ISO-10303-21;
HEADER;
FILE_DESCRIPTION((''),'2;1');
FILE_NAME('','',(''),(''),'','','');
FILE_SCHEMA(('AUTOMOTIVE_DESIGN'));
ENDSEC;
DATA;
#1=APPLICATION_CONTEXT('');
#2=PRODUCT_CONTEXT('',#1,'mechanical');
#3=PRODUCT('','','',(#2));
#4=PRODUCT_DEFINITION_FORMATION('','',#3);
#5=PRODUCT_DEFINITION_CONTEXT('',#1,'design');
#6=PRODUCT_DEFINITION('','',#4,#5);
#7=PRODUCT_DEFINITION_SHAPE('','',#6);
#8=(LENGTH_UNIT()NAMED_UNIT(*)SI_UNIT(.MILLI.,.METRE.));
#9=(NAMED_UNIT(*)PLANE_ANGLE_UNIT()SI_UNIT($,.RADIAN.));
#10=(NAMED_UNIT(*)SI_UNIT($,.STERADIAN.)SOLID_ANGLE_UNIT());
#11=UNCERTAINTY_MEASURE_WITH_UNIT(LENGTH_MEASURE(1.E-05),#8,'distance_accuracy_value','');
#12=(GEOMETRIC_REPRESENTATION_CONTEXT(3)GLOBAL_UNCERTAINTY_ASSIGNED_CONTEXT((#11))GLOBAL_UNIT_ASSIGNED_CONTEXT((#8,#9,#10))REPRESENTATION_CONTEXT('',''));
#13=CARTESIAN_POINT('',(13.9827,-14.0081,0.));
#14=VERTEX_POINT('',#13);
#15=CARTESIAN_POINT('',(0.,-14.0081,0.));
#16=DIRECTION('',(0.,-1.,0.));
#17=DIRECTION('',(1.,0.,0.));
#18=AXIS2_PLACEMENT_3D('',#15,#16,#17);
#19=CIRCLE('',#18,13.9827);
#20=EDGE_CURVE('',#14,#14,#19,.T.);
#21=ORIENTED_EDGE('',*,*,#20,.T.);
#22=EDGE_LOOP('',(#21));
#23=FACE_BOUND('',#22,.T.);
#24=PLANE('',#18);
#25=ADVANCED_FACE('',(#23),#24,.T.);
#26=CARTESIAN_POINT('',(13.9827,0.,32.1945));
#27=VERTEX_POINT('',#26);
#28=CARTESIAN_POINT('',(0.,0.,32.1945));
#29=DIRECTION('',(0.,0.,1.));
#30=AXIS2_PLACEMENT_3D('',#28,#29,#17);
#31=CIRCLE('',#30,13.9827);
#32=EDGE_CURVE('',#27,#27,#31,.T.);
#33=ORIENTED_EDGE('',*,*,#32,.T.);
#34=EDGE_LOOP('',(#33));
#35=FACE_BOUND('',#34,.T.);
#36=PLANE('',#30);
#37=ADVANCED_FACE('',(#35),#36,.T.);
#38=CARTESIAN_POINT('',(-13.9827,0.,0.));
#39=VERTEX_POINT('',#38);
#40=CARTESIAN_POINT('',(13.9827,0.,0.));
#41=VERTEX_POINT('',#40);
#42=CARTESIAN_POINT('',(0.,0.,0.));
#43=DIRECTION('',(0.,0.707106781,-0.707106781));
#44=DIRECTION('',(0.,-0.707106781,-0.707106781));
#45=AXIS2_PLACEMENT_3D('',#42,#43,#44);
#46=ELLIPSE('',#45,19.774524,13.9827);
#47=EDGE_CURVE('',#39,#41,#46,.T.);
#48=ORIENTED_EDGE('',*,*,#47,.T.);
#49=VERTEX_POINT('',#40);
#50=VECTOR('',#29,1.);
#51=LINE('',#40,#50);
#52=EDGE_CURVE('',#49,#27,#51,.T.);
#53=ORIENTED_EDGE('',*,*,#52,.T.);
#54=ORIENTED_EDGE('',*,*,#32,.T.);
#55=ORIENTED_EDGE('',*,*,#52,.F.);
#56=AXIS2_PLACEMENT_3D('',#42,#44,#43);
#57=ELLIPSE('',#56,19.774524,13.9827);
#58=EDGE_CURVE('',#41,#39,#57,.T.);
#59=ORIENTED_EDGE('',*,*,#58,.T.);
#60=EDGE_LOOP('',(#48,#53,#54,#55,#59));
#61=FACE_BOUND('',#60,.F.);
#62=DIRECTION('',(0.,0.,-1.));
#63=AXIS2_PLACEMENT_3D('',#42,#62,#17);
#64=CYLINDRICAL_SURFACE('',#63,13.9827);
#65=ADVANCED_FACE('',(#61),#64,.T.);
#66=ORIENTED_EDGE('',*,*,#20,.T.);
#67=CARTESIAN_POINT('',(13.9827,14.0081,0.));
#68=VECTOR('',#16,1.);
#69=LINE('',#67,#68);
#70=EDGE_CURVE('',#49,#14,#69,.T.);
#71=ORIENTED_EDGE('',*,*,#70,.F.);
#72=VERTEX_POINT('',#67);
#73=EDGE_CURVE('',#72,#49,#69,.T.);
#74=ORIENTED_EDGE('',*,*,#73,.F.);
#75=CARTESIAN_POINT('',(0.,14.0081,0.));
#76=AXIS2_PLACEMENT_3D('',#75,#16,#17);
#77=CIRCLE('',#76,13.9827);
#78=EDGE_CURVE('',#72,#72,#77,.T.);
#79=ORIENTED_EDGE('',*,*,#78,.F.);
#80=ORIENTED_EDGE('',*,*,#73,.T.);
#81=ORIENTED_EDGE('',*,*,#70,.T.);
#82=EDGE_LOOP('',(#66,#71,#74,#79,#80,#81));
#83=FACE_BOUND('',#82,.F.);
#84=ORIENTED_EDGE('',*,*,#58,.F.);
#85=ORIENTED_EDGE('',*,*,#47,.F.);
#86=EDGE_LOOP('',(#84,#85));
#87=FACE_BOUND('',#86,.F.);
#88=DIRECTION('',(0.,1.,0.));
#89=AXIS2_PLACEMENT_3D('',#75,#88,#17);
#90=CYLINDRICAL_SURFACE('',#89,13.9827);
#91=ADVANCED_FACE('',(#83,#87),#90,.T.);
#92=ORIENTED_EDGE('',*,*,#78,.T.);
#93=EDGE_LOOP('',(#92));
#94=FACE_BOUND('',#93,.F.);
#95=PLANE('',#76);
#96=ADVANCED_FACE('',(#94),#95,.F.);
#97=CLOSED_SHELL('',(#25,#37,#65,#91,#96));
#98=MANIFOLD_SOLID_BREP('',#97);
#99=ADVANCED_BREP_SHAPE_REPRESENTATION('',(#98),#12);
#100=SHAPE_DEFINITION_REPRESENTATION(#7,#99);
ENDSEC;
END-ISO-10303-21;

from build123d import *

# Parameters (mm, degrees)
CYLINDER005_R     = 13.9827
CYLINDER005_DEPTH = 28.0162
CYLINDER004_R     = 13.9827
CYLINDER004_DEPTH = 32.1945


with BuildPart() as cylinder005:
    # Cylinder005 → Cylinder005 (new body)
    with BuildSketch(Plane.XZ.offset(-14.0081)):
        Circle(CYLINDER005_R)
    extrude(amount=CYLINDER005_DEPTH)


with BuildPart() as slip:
    # Cylinder004 → Cylinder004 (new body)
    with BuildSketch(Plane.XY):
        Circle(CYLINDER004_R)
    extrude(amount=CYLINDER004_DEPTH)

    # Fusion001: union Cylinder005
    add(cylinder005.part)


solid = slip.part
